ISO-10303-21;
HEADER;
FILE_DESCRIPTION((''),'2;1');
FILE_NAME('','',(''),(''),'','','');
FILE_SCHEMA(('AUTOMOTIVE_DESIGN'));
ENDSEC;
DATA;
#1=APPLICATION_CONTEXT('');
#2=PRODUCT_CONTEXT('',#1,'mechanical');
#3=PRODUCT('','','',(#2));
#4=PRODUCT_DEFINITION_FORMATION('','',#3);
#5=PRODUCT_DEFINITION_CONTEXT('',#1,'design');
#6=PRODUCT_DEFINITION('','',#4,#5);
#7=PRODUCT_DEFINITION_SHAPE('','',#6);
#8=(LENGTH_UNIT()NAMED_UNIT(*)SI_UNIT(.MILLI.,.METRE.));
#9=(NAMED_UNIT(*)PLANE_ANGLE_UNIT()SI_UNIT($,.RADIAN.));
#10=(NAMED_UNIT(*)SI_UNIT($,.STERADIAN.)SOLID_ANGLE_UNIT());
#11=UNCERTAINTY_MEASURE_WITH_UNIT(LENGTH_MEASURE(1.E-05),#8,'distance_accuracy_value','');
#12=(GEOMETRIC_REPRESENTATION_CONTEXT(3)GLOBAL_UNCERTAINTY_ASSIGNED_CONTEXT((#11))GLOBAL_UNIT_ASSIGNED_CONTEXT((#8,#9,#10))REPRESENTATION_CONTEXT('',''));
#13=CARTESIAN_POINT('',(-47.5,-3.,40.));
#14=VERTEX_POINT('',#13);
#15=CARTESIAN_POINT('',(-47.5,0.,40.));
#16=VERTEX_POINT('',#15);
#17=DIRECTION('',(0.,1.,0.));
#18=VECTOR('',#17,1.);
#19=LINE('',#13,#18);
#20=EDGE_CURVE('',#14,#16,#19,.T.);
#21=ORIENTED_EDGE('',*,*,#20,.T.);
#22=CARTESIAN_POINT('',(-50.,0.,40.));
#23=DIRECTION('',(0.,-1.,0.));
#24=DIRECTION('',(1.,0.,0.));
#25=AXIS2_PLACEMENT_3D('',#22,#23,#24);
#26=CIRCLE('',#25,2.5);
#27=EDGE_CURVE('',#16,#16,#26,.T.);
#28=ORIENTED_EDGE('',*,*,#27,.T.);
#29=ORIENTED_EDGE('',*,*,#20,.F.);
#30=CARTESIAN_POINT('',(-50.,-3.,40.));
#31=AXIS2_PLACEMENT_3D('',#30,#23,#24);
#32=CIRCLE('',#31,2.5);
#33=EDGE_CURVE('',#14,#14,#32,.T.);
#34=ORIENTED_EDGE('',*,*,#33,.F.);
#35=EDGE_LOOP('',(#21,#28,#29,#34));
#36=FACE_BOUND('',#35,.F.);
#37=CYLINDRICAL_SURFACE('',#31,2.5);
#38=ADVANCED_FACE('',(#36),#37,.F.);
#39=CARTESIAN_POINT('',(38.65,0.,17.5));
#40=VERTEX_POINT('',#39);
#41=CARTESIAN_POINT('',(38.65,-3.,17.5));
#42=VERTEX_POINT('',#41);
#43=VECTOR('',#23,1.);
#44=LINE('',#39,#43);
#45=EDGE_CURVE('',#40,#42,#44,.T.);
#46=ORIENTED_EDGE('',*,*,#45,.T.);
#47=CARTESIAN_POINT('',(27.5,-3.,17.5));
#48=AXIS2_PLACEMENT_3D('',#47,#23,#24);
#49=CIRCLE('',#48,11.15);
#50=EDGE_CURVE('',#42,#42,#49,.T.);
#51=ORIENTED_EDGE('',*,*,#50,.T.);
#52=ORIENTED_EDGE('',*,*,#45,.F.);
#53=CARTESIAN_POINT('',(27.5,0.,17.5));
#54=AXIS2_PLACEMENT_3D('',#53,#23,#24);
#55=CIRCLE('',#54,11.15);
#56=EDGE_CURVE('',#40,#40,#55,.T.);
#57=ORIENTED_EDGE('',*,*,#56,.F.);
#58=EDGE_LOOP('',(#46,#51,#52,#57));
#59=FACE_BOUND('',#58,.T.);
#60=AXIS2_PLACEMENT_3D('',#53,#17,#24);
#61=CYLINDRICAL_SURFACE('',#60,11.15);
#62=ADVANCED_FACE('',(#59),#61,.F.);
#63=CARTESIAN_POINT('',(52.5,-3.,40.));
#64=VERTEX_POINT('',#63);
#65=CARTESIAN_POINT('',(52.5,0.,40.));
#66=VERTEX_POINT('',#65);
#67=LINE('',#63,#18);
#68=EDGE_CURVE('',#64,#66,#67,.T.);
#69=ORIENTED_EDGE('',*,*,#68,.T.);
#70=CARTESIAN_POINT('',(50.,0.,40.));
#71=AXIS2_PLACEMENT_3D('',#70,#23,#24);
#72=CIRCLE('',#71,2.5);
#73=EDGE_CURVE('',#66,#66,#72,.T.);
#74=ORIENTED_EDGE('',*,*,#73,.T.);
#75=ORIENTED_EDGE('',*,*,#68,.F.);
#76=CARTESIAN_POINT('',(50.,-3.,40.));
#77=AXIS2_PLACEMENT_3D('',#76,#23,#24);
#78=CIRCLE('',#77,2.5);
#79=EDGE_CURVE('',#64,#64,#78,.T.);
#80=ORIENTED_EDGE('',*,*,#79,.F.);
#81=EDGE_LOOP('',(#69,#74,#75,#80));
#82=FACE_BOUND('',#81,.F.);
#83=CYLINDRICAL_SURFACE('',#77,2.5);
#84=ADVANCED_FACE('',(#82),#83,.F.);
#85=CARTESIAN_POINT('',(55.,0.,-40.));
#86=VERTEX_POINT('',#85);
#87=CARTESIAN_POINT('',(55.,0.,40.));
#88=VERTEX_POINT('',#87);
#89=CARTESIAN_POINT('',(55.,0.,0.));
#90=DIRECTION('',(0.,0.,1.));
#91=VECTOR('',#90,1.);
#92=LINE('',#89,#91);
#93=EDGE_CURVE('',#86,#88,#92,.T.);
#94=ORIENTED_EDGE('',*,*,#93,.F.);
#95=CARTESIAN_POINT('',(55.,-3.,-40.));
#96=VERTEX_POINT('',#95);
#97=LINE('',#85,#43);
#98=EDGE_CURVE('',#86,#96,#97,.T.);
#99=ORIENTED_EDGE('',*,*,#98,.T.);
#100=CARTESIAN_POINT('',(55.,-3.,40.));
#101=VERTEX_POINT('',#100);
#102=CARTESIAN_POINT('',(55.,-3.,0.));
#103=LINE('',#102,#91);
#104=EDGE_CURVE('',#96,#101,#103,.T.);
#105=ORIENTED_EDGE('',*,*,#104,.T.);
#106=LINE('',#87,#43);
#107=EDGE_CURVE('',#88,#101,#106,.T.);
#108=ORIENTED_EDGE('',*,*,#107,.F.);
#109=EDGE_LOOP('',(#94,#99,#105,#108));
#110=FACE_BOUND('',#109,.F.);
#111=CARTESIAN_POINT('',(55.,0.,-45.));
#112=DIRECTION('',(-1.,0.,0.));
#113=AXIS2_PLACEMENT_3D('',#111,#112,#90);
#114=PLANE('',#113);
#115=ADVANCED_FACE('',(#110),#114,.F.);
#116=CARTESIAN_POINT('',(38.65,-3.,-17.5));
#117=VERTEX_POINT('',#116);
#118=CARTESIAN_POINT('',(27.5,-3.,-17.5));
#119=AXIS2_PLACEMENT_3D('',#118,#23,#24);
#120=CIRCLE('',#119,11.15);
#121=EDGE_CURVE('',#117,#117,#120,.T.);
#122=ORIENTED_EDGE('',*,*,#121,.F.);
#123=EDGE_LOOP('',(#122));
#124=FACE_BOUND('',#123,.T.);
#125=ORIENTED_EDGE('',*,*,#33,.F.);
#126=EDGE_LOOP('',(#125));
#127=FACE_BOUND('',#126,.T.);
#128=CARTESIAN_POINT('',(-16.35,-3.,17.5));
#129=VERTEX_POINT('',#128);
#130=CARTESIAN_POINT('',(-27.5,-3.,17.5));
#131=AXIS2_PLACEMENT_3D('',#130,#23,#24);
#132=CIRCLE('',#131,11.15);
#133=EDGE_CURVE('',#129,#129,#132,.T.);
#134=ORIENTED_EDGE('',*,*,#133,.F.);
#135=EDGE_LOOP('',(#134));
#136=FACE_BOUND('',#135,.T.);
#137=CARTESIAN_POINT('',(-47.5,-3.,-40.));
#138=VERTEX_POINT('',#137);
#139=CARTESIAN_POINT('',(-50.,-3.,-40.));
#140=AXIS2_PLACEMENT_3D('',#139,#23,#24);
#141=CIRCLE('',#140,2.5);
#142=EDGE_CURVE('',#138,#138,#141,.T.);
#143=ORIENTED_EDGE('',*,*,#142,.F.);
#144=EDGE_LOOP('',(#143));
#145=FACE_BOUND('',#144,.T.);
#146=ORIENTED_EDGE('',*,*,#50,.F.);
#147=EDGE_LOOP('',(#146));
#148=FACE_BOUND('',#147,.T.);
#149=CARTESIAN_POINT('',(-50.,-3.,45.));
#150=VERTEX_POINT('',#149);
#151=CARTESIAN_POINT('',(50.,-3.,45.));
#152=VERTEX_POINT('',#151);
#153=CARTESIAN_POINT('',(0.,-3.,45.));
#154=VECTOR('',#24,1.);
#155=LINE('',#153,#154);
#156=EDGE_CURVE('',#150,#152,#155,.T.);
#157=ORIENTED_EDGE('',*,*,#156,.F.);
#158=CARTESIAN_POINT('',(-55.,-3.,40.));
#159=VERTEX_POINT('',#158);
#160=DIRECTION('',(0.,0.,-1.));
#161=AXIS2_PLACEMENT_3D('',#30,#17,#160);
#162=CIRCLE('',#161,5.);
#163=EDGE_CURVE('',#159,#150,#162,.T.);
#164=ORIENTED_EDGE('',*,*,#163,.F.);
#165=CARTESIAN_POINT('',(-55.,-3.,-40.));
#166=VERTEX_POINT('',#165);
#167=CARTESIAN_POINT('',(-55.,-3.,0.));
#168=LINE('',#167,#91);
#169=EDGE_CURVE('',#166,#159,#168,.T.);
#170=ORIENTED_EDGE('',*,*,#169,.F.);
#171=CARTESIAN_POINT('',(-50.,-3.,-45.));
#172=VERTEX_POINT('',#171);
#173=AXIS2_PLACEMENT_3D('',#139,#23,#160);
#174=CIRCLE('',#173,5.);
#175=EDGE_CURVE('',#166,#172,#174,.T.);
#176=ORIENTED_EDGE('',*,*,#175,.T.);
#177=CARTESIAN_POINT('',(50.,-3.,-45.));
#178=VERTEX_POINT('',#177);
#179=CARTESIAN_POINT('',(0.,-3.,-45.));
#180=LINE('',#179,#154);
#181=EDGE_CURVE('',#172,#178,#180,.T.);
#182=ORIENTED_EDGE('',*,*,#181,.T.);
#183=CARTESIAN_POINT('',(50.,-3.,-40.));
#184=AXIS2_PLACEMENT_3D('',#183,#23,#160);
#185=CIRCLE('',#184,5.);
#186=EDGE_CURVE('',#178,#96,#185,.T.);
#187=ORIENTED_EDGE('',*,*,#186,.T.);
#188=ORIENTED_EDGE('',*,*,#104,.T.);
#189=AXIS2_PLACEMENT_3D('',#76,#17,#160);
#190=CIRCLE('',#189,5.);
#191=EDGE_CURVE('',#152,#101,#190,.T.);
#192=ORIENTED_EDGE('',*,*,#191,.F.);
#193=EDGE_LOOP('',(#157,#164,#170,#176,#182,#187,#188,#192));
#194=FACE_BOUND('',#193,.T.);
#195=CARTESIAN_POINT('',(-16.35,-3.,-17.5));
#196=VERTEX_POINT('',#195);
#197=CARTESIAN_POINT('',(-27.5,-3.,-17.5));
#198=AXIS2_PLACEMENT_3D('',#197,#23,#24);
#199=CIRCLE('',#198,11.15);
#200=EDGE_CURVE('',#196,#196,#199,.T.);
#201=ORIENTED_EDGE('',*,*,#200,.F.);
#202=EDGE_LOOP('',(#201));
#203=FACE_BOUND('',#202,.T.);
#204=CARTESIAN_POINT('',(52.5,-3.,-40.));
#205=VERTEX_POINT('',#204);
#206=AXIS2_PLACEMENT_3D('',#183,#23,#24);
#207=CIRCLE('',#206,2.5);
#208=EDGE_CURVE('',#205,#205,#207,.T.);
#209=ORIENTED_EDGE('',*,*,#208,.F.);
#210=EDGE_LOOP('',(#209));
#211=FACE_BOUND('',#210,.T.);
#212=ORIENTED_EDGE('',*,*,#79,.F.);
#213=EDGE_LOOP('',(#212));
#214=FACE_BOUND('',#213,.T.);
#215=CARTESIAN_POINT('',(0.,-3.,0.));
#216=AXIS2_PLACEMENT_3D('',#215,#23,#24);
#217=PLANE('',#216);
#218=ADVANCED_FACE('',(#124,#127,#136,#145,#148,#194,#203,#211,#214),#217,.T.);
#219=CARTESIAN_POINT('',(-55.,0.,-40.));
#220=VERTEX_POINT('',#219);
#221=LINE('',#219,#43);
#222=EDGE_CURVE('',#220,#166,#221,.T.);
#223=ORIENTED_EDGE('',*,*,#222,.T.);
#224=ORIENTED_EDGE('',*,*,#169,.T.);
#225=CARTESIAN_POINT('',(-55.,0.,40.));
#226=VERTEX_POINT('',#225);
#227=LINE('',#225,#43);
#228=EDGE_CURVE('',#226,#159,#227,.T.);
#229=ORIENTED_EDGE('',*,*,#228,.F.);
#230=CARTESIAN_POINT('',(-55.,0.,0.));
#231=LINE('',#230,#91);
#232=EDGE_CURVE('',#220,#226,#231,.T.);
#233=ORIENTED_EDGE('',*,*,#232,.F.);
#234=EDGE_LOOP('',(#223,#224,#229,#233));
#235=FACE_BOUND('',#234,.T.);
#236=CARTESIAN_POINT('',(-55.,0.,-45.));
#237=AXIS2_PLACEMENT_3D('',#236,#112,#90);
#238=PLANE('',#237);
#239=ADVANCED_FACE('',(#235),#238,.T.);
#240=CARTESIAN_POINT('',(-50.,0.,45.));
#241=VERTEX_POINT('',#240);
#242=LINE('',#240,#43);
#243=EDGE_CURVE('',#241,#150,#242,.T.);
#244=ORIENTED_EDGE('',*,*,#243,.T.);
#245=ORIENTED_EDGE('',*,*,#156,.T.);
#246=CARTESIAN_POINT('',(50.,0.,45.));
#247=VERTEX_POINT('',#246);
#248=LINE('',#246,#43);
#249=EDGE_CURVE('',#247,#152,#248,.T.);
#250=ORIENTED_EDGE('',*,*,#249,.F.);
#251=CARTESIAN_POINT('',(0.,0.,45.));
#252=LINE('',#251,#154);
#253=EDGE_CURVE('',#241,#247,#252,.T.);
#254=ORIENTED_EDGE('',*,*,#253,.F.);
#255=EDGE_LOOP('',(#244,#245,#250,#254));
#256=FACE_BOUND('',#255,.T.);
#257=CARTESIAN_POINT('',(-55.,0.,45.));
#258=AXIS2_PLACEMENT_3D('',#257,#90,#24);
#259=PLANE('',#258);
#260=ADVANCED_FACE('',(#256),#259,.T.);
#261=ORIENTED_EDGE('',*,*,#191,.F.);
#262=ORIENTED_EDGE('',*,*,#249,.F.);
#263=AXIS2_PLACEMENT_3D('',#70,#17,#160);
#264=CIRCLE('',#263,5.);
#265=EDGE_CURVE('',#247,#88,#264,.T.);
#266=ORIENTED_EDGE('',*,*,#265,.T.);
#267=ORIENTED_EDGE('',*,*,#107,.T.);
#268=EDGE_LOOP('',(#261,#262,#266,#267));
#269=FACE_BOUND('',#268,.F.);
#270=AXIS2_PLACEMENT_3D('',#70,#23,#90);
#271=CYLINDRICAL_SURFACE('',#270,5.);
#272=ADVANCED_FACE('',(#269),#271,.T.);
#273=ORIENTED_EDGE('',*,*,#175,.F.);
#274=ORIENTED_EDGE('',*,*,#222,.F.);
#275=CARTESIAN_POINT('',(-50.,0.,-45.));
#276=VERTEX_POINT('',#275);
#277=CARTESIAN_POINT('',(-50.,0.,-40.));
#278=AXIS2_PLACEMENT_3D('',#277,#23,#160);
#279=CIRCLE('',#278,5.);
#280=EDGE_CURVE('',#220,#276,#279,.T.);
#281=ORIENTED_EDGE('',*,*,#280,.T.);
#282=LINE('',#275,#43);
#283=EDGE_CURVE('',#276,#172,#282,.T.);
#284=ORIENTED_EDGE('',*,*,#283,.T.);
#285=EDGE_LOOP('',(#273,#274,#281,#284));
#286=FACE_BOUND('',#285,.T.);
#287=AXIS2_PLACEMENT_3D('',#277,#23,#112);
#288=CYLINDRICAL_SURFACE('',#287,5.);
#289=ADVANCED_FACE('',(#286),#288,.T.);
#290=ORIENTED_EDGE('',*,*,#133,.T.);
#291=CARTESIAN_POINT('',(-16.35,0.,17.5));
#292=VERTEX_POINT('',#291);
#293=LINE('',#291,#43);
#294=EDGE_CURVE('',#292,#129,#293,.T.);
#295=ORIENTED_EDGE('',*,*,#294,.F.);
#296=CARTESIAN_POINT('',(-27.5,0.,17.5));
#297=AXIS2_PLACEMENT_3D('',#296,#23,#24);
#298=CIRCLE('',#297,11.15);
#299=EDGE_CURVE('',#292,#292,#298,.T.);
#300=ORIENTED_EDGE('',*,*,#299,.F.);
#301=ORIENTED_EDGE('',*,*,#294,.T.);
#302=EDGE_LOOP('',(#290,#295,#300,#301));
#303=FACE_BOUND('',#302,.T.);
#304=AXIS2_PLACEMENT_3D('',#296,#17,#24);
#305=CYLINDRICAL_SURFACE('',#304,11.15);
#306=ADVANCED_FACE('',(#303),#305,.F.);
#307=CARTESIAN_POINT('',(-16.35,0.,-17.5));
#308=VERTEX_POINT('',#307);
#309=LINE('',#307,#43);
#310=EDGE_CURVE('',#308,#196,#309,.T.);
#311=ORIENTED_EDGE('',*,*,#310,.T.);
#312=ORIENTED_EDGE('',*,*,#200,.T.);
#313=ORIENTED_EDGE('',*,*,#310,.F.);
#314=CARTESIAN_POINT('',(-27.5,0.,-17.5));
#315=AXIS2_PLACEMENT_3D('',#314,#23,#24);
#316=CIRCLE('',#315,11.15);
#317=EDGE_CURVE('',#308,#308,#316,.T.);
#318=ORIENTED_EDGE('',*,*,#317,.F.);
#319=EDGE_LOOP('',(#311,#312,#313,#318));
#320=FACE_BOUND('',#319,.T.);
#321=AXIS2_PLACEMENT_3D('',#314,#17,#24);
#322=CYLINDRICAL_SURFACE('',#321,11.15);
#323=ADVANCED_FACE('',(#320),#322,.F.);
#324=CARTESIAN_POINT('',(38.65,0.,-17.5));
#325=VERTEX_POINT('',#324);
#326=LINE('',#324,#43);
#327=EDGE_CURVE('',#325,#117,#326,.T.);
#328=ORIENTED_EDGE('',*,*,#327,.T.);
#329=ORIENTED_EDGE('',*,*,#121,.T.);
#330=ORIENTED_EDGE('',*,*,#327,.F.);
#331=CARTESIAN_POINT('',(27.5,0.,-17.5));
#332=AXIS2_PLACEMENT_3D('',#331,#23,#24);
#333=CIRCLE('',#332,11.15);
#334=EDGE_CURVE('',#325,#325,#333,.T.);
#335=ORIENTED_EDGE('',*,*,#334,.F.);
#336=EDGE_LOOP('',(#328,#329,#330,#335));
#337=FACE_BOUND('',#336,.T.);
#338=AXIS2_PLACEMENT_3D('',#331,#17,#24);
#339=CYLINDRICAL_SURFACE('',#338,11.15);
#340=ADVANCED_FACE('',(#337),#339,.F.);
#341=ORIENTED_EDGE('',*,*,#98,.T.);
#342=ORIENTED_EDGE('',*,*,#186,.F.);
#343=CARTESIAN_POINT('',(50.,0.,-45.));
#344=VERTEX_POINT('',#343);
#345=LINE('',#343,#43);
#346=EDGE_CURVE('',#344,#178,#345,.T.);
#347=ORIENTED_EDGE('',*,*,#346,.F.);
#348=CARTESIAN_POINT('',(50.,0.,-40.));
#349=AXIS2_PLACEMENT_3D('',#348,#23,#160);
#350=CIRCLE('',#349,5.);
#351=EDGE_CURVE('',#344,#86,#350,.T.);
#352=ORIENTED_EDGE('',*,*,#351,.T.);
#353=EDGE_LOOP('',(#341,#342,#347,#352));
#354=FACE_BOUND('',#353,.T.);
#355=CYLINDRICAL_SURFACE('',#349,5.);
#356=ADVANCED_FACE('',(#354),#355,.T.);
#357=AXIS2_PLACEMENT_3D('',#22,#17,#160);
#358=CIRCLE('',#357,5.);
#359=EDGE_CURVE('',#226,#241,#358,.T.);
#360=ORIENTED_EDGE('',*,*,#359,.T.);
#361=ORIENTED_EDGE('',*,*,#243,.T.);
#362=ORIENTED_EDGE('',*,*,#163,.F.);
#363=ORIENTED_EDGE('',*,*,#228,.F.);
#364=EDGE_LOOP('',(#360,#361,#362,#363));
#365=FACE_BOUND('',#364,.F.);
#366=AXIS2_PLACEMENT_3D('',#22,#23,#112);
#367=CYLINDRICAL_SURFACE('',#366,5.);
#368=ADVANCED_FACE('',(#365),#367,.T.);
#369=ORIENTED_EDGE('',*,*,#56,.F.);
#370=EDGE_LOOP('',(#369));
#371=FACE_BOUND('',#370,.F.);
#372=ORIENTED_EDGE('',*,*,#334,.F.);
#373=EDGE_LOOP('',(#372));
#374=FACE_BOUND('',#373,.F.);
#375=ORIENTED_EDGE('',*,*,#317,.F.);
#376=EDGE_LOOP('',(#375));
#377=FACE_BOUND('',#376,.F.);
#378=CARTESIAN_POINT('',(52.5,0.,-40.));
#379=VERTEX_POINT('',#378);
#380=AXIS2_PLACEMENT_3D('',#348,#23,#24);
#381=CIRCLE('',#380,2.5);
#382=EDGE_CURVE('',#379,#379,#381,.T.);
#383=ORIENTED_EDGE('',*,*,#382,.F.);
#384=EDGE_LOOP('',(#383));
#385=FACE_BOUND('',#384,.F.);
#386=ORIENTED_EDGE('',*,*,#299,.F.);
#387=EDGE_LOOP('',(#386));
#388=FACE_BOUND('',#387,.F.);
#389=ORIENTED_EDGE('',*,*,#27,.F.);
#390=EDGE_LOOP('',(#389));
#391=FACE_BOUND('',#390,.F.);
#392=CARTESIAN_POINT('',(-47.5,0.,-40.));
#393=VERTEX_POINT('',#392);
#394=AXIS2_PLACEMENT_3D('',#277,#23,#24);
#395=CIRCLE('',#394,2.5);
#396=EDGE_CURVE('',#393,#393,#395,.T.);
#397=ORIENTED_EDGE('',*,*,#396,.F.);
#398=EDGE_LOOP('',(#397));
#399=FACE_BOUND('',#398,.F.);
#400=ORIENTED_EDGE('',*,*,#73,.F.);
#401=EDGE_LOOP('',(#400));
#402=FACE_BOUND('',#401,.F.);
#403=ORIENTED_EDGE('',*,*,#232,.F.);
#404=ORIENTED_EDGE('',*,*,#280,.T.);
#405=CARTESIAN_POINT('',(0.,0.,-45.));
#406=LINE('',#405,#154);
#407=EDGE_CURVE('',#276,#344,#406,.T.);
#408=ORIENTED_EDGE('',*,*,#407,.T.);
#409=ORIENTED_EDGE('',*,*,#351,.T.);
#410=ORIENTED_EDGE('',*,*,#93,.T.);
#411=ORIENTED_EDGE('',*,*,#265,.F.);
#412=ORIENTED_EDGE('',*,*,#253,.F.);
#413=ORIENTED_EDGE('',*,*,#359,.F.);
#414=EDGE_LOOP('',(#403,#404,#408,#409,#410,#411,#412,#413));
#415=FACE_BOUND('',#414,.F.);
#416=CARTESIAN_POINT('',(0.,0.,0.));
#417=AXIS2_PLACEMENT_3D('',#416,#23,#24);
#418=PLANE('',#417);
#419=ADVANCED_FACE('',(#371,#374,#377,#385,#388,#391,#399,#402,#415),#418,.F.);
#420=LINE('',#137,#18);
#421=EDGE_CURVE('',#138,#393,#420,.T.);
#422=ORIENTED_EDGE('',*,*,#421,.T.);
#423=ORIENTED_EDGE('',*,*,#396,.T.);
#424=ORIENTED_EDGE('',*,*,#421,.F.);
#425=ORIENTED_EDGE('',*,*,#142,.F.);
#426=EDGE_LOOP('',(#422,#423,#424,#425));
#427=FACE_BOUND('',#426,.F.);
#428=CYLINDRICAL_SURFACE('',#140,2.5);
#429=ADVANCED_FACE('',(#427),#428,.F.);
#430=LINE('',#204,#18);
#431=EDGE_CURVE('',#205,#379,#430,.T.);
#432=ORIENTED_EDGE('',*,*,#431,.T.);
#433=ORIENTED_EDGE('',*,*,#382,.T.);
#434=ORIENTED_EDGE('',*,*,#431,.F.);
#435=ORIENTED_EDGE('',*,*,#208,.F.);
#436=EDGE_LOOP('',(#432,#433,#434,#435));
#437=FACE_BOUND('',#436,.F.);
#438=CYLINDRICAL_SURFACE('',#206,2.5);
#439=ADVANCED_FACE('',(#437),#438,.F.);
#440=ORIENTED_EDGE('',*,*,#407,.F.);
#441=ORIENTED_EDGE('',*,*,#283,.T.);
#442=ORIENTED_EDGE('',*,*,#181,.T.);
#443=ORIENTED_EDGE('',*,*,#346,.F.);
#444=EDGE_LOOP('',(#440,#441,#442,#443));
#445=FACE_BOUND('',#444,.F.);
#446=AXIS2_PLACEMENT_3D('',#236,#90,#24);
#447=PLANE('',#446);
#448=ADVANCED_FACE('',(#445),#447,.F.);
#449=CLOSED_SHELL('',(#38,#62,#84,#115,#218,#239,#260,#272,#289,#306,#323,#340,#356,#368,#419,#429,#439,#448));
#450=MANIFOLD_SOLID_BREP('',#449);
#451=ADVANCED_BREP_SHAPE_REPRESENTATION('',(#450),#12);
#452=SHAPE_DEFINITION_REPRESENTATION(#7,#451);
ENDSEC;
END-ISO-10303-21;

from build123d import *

# Parameters (mm, degrees)
F0_W     = 110
F0_H     = 90
F0_R     = 11.15
F1_DEPTH = 3
F2_R     = 2.5
F3_DEPTH = 3
F4_R     = 5


with BuildPart() as f1:
    # F0 (on Front) → F1 (new body)
    with BuildSketch(Plane.XZ):
        Rectangle(F0_W, F0_H)
        with Locations((-27.5, -17.5)):
            Circle(F0_R, mode=Mode.SUBTRACT)
        with Locations((27.5, -17.5)):
            Circle(F0_R, mode=Mode.SUBTRACT)
        with Locations((-27.5, 17.5)):
            Circle(F0_R, mode=Mode.SUBTRACT)
        with Locations((27.5, 17.5)):
            Circle(F0_R, mode=Mode.SUBTRACT)
    extrude(amount=F1_DEPTH)

    # F2 (on face) → F3 (cut, through all)
    with BuildSketch(Plane.XZ.offset(3)):
        with Locations((-50, 40)):
            Circle(F2_R)
        with Locations((50, 40)):
            Circle(F2_R)
        with Locations((50, -40)):
            Circle(F2_R)
        with Locations((-50, -40)):
            Circle(F2_R)
    extrude(amount=-F3_DEPTH, mode=Mode.SUBTRACT)

    # F4
    f4_edges = [f1.edges().sort_by_distance(p)[0] for p in [
        (55, -1.5, 45),
        (-55, -1.5, 45),
        (55, -1.5, -45),
        (-55, -1.5, -45),
    ]]
    fillet(f4_edges, radius=F4_R)


solid = f1.part
